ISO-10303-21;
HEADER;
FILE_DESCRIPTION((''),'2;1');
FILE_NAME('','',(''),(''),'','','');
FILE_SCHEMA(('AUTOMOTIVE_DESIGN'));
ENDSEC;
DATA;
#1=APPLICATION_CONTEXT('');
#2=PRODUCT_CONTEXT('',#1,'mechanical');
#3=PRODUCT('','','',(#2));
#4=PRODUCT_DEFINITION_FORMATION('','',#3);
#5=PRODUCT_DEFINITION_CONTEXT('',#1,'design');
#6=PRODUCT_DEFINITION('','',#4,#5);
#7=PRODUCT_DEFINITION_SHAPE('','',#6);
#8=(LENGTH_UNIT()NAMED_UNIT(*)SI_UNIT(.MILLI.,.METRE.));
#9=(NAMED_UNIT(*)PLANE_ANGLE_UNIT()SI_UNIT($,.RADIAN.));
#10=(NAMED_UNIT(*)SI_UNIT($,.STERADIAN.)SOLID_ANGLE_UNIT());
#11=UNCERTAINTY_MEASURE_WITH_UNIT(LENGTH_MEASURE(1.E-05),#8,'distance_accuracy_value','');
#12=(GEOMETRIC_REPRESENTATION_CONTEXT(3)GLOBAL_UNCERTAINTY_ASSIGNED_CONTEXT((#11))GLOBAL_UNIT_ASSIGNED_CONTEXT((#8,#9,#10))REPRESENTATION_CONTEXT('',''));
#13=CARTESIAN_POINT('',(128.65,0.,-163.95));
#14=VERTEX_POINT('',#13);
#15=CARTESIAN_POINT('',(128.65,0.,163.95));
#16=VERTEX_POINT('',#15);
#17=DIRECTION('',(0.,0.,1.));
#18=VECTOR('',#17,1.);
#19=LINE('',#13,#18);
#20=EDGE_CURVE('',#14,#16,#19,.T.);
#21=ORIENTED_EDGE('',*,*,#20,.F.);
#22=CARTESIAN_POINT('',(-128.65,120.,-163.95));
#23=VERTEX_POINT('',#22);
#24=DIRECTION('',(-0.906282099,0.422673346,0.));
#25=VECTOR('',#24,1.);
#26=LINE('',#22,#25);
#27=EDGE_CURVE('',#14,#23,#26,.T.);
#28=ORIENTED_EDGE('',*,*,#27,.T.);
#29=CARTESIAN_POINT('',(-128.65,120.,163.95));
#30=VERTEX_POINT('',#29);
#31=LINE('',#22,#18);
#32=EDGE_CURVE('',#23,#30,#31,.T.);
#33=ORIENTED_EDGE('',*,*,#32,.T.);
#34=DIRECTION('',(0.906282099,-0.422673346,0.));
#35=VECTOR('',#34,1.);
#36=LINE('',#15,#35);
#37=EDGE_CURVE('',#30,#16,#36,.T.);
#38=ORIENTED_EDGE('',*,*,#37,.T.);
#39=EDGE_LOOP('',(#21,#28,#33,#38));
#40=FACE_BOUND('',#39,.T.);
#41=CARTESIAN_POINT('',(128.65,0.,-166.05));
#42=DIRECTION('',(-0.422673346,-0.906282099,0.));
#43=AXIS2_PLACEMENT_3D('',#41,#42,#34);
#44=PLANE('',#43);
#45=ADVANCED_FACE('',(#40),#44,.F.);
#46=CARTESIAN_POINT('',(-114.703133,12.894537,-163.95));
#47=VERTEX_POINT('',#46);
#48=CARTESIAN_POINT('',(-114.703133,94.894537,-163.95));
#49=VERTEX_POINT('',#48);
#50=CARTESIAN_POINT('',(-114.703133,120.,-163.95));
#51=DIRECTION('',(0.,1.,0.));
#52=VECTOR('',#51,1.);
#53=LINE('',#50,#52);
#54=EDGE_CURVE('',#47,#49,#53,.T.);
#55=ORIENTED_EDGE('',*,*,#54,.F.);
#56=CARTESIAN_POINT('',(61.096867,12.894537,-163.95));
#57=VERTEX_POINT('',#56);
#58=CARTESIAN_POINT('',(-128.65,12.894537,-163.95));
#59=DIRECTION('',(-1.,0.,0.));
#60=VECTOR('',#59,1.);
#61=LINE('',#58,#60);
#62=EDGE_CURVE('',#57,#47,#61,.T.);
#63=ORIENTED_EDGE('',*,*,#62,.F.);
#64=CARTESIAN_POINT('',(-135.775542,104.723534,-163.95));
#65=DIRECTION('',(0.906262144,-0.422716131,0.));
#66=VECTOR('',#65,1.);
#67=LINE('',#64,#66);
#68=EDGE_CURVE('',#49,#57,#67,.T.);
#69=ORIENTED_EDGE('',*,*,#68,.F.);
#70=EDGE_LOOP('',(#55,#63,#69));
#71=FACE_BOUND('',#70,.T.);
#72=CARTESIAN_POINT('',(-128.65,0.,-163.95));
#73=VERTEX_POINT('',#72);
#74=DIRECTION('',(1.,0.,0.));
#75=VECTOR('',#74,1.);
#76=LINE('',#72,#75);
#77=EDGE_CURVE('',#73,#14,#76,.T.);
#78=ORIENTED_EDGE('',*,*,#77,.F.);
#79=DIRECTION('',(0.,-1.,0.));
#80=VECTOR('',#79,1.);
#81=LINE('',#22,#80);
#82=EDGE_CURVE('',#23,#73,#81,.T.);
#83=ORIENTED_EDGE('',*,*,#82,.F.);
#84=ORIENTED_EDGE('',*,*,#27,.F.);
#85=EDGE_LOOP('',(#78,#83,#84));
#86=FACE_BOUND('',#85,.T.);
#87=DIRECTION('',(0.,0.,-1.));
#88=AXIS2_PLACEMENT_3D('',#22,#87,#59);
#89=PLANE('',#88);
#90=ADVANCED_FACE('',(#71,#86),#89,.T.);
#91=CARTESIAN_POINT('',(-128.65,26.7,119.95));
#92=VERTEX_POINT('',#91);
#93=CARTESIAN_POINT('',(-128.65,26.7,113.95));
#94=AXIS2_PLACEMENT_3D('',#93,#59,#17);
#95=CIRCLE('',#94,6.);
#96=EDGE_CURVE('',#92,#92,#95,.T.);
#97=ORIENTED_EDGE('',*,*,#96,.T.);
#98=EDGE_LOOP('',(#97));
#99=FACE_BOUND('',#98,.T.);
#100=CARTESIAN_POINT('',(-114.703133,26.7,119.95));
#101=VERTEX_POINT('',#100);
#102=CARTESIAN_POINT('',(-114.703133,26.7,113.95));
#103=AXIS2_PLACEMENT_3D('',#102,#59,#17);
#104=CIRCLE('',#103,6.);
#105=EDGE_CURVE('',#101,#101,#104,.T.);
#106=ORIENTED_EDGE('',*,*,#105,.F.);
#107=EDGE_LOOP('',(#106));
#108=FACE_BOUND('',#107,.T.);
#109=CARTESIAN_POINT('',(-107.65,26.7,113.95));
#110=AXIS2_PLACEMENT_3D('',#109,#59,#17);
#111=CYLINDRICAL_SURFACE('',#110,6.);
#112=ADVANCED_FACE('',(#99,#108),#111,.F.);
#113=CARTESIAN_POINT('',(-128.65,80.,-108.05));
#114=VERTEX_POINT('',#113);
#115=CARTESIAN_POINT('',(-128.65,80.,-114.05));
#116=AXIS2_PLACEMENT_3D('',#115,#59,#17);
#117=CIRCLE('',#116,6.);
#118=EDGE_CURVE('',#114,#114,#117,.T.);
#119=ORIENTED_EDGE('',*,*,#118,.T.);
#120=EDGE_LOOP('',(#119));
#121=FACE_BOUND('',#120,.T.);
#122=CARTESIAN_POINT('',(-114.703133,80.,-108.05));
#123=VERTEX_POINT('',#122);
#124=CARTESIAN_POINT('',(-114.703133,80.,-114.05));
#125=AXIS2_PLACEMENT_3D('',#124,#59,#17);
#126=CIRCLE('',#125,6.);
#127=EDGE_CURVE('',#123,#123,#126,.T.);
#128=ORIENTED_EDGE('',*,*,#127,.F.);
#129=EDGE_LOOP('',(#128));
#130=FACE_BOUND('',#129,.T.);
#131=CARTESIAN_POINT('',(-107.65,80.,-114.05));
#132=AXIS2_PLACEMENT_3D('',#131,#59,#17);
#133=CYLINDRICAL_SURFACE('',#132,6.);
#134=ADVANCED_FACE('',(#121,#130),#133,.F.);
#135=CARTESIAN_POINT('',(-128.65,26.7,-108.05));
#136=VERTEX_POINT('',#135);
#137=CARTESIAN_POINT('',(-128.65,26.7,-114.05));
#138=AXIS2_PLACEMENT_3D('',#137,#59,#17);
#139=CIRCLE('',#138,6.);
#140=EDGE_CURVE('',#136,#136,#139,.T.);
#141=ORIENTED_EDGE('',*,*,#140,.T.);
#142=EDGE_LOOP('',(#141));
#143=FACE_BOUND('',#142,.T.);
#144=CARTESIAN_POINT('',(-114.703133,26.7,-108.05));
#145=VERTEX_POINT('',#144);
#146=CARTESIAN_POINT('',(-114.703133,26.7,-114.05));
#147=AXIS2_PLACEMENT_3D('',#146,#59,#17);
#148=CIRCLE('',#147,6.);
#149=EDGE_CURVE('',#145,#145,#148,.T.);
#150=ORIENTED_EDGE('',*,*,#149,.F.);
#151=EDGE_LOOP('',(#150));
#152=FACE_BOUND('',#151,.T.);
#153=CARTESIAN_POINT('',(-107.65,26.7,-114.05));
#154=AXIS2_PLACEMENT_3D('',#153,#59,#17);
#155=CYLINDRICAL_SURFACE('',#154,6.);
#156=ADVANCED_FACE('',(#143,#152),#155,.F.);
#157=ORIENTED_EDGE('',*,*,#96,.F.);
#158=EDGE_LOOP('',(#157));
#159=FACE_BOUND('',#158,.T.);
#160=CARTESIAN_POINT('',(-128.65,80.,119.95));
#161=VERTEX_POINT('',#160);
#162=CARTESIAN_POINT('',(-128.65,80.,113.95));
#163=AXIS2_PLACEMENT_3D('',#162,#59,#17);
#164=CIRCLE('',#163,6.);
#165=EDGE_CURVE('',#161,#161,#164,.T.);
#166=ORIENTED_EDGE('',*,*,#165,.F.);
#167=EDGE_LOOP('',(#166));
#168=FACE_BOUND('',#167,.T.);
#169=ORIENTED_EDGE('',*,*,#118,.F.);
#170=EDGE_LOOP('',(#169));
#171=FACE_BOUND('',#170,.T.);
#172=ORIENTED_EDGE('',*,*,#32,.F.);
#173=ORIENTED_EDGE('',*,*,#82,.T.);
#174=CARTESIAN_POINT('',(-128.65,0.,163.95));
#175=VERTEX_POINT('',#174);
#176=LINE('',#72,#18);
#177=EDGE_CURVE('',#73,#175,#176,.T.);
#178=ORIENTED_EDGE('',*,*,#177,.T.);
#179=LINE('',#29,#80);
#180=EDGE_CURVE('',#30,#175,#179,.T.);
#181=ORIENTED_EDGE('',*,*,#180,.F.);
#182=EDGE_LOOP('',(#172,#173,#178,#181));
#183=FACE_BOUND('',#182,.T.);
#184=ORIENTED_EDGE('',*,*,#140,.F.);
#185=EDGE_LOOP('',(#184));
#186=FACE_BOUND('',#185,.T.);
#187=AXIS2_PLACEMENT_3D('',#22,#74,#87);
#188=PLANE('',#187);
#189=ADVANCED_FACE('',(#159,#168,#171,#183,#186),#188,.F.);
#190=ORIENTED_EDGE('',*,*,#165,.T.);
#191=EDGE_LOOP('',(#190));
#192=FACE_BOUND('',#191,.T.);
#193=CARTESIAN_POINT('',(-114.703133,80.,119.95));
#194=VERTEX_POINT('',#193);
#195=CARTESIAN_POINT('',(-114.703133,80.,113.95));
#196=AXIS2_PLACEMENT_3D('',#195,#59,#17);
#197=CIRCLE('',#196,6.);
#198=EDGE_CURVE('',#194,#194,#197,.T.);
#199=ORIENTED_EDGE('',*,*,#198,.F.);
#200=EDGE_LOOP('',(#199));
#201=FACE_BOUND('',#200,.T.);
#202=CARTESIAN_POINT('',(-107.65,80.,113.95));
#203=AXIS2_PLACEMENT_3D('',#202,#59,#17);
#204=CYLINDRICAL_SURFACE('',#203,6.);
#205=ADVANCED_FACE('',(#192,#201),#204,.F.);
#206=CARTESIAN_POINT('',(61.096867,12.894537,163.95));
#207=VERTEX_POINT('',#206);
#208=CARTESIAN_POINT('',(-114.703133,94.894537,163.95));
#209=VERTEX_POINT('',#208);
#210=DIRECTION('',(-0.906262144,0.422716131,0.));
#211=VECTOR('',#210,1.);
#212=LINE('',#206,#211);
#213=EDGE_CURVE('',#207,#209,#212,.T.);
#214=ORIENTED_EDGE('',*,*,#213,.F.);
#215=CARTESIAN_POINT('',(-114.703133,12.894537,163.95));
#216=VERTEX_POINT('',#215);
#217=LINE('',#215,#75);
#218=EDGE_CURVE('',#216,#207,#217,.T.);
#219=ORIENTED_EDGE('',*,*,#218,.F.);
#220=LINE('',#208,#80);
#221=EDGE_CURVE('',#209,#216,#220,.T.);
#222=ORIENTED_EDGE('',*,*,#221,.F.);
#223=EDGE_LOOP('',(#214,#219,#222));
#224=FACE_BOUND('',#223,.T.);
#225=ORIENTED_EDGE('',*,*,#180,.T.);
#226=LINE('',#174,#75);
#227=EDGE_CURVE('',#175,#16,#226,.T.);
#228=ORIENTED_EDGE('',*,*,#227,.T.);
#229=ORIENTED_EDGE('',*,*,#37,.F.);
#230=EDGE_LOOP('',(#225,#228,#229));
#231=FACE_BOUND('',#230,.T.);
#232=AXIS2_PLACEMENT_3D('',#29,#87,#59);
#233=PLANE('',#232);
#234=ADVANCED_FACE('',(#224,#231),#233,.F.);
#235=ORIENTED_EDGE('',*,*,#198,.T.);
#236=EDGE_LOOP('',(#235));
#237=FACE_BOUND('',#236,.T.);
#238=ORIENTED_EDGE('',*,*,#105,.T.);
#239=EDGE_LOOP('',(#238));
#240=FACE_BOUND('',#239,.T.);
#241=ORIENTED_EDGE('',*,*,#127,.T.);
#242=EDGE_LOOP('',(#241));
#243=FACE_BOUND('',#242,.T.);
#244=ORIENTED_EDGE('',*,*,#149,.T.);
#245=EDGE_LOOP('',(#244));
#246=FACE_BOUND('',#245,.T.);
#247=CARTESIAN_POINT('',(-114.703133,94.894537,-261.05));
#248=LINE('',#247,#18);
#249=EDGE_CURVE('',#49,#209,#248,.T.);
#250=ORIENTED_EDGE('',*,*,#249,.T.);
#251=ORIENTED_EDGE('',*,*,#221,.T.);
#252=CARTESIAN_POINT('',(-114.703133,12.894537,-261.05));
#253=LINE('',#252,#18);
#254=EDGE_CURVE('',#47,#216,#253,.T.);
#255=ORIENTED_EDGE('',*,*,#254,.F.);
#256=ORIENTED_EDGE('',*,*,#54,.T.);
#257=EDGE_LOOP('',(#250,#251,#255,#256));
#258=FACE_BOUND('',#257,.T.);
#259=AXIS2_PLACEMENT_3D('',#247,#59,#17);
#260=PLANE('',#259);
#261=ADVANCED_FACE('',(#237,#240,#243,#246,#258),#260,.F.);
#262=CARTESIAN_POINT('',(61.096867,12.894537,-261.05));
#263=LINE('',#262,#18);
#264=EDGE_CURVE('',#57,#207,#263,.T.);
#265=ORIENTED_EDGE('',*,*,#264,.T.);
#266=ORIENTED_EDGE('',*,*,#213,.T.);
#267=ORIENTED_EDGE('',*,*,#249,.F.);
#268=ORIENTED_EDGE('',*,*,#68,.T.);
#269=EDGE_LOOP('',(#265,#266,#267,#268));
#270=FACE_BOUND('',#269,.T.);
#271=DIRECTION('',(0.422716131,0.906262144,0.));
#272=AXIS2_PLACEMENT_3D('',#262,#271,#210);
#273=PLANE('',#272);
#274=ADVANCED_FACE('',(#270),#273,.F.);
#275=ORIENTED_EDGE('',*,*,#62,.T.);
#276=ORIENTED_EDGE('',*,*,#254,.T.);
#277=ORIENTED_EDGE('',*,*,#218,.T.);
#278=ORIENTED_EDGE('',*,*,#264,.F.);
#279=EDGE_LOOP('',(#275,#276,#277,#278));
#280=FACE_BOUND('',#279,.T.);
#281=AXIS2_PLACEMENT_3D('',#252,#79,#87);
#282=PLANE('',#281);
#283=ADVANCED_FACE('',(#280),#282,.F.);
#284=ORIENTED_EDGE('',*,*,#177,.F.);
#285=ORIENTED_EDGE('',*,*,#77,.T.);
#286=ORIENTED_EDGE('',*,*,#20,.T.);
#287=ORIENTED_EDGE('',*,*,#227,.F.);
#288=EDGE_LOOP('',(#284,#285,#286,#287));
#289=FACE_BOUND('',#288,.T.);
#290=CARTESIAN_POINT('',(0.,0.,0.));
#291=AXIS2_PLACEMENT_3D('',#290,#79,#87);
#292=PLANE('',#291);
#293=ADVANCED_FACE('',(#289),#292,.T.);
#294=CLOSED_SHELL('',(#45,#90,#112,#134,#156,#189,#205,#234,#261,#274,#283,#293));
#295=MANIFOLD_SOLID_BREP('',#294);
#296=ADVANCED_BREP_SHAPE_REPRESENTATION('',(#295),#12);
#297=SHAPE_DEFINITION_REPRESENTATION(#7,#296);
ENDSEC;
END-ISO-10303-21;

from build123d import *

# Parameters (mm, degrees)
SKETCH2_W           = 257.3
SKETCH2_H           = 327.9
BOSS_EXTRUDE1_DEPTH = 120
CUT_EXTRUDE1_DEPTH  = 330
CUT_EXTRUDE2_DEPTH  = 425
SKETCH5_R           = 6
CUT_EXTRUDE3_DEPTH  = 21


with BuildPart() as part:
    # Sketch2 → Boss-Extrude1 (new body)
    with BuildSketch(Plane(origin=(0, 0, 0), x_dir=(1, 0, 0), z_dir=(0, 1, 0))):
        Rectangle(SKETCH2_W, SKETCH2_H)
    extrude(amount=BOSS_EXTRUDE1_DEPTH)

    # Sketch3 → Cut-Extrude1 (cut)
    with BuildSketch(Plane.XY.offset(163.95)):
        Polygon((128.65, 0), (-128.65, 120), (128.65, 120), align=None)
    extrude(amount=-CUT_EXTRUDE1_DEPTH, mode=Mode.SUBTRACT)

    # Sketch4 → Cut-Extrude2 (cut)
    with BuildSketch(Plane.XY.offset(163.95)):
        Polygon((-114.703132504, 94.894537232), (-114.703132504, 12.894537232), (61.096867496, 12.894537232), align=None)
    extrude(amount=-CUT_EXTRUDE2_DEPTH, mode=Mode.SUBTRACT)

    # Sketch5 → Cut-Extrude3 (cut)
    with BuildSketch(Plane.ZY.offset(128.65)):
        with Locations((-114.05, 80)):
            Circle(SKETCH5_R)
        with Locations((-114.05, 26.7)):
            Circle(SKETCH5_R)
        with Locations((113.95, 80)):
            Circle(SKETCH5_R)
        with Locations((113.95, 26.7)):
            Circle(SKETCH5_R)
    extrude(amount=-CUT_EXTRUDE3_DEPTH, mode=Mode.SUBTRACT)


solid = part.part
